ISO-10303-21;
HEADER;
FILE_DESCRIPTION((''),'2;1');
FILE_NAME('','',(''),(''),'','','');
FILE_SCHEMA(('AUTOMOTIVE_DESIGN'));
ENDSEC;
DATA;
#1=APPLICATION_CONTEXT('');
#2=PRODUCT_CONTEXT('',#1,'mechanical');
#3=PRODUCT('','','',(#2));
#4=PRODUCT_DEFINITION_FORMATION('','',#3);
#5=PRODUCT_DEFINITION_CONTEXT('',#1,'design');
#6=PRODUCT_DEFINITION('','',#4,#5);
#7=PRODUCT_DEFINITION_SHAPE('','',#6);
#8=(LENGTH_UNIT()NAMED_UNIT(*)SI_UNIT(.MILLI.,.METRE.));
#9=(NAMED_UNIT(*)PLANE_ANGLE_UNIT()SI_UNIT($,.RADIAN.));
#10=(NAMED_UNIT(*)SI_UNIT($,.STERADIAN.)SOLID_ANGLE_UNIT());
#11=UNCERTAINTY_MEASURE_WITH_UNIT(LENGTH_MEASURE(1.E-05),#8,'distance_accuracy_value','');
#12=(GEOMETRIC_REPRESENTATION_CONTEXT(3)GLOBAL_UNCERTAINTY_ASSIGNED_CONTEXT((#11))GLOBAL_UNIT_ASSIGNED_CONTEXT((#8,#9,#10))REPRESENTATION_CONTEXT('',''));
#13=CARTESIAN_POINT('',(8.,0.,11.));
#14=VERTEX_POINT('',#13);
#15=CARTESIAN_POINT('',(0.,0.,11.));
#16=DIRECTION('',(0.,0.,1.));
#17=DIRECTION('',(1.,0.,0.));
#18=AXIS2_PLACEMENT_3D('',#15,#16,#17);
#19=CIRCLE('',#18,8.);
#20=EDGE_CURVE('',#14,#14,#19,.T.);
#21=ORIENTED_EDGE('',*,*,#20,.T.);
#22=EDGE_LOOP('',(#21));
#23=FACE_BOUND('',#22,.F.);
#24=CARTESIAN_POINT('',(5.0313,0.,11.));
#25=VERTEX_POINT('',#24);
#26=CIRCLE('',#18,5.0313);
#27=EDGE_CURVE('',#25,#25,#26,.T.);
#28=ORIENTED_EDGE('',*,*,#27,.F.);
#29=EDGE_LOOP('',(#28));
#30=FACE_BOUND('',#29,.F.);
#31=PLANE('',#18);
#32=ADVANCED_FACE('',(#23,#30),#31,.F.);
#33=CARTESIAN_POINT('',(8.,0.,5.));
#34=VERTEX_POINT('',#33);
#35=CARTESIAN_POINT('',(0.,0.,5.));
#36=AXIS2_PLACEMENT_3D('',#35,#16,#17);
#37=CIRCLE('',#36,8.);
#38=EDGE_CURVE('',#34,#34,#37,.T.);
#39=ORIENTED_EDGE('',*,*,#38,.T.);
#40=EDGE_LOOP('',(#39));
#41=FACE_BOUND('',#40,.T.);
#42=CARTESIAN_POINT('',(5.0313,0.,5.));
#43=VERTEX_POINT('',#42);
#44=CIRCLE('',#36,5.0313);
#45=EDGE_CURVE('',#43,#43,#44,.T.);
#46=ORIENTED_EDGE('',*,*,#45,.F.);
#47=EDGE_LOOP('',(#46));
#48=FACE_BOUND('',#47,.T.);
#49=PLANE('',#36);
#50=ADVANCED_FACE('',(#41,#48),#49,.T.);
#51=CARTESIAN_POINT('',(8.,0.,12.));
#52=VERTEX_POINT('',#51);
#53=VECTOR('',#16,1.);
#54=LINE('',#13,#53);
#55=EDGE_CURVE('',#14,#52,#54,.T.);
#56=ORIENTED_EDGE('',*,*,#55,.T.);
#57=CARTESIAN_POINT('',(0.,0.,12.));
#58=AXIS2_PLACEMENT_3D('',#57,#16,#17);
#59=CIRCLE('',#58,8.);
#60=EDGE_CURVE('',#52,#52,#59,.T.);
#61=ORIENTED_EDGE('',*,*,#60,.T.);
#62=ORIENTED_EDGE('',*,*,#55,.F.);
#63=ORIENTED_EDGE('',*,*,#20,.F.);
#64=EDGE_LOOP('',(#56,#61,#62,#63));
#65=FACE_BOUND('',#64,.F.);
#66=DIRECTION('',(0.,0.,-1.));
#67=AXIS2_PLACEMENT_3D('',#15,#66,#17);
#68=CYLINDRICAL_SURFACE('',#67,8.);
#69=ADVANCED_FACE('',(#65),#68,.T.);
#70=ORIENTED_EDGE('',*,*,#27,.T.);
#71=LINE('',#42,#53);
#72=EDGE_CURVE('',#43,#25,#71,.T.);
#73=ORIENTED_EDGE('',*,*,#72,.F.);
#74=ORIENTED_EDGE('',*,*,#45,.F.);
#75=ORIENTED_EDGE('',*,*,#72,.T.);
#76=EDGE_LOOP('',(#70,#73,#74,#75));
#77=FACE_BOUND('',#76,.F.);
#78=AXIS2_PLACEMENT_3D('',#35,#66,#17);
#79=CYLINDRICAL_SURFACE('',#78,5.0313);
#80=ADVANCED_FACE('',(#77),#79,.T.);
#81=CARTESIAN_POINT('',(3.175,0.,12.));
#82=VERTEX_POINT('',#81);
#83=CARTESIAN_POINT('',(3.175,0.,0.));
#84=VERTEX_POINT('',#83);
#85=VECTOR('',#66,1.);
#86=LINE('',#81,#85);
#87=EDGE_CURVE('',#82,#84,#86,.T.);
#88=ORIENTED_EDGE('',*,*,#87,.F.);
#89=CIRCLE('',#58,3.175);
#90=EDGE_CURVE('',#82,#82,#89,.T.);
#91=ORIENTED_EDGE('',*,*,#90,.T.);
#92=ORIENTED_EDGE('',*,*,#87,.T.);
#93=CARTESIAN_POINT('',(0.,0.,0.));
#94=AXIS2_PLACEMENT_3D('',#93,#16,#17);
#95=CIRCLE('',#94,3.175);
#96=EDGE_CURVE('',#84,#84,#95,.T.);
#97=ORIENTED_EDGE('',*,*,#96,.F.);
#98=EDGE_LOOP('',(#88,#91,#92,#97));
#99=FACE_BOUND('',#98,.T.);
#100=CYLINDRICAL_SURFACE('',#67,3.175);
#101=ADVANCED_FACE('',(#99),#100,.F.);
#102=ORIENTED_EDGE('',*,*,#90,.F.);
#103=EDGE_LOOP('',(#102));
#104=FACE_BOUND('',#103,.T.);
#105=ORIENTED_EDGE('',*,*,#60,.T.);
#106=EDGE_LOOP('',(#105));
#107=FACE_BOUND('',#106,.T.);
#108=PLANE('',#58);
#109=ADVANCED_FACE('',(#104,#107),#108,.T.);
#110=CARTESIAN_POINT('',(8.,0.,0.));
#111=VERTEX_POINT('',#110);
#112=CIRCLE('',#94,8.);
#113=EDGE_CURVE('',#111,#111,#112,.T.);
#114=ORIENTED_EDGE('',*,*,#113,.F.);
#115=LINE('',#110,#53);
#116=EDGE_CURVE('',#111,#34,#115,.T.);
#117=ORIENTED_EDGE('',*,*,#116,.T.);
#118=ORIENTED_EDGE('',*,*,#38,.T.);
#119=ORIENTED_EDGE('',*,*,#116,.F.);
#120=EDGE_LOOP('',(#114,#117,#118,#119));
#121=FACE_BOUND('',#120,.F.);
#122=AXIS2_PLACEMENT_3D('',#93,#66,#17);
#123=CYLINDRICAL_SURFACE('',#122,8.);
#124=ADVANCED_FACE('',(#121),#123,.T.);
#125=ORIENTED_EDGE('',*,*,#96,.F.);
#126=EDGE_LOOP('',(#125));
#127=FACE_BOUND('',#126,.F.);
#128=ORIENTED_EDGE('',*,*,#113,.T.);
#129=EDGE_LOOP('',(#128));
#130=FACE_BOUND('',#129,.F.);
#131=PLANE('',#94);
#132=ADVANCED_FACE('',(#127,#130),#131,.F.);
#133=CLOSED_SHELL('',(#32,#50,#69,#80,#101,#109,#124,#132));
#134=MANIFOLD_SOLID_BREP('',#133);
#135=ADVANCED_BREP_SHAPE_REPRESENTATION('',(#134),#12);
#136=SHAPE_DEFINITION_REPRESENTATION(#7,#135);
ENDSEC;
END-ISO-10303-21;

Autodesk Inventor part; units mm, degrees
ref_plane "YZ Plane" through (0, 0, 0) normal (1, 0, 0) x (0, 1, 0)
ref_plane "XZ Plane" through (0, 0, 0) normal (0, 1, 0) x (-1, 0, 0)
ref_plane "XY Plane" through (0, 0, 0) normal (0, 0, 1) x (1, 0, 0)
sketch "Boceto1" plane through (0, 0, 0) normal (0, 0, 1) x (1, 0, 0)
  circle A0 centre (0, 0) radius 8
  circle A1 centre (0, 0) radius 3.175
  dimension "d0" = 16
  dimension "d1" = 6.35
extrude "Extrusión1" add sketch "Boceto1" along normal blind 5
sketch "Boceto2" plane through (0, 0, 5) normal (0, 0, 1) x (1, 0, 0)
  circle A0 centre (0, 0) radius 3.175
  circle A1 centre (0, 0) radius 5.0313
  dimension "d8" = 6.35
extrude "Extrusión2" add sketch "Boceto2" along normal blind 6
sketch "Boceto3" plane through (0, 0, 11) normal (0, 0, 1) x (1, 0, 0)
  circle A0 centre (0, 0) radius 3.175
  circle A1 centre (0, 0) radius 8
  dimension "d9" = 6.35
  dimension "d10" = 16
extrude "Extrusión3" add sketch "Boceto3" along normal blind 1
properties part number "Polea"
